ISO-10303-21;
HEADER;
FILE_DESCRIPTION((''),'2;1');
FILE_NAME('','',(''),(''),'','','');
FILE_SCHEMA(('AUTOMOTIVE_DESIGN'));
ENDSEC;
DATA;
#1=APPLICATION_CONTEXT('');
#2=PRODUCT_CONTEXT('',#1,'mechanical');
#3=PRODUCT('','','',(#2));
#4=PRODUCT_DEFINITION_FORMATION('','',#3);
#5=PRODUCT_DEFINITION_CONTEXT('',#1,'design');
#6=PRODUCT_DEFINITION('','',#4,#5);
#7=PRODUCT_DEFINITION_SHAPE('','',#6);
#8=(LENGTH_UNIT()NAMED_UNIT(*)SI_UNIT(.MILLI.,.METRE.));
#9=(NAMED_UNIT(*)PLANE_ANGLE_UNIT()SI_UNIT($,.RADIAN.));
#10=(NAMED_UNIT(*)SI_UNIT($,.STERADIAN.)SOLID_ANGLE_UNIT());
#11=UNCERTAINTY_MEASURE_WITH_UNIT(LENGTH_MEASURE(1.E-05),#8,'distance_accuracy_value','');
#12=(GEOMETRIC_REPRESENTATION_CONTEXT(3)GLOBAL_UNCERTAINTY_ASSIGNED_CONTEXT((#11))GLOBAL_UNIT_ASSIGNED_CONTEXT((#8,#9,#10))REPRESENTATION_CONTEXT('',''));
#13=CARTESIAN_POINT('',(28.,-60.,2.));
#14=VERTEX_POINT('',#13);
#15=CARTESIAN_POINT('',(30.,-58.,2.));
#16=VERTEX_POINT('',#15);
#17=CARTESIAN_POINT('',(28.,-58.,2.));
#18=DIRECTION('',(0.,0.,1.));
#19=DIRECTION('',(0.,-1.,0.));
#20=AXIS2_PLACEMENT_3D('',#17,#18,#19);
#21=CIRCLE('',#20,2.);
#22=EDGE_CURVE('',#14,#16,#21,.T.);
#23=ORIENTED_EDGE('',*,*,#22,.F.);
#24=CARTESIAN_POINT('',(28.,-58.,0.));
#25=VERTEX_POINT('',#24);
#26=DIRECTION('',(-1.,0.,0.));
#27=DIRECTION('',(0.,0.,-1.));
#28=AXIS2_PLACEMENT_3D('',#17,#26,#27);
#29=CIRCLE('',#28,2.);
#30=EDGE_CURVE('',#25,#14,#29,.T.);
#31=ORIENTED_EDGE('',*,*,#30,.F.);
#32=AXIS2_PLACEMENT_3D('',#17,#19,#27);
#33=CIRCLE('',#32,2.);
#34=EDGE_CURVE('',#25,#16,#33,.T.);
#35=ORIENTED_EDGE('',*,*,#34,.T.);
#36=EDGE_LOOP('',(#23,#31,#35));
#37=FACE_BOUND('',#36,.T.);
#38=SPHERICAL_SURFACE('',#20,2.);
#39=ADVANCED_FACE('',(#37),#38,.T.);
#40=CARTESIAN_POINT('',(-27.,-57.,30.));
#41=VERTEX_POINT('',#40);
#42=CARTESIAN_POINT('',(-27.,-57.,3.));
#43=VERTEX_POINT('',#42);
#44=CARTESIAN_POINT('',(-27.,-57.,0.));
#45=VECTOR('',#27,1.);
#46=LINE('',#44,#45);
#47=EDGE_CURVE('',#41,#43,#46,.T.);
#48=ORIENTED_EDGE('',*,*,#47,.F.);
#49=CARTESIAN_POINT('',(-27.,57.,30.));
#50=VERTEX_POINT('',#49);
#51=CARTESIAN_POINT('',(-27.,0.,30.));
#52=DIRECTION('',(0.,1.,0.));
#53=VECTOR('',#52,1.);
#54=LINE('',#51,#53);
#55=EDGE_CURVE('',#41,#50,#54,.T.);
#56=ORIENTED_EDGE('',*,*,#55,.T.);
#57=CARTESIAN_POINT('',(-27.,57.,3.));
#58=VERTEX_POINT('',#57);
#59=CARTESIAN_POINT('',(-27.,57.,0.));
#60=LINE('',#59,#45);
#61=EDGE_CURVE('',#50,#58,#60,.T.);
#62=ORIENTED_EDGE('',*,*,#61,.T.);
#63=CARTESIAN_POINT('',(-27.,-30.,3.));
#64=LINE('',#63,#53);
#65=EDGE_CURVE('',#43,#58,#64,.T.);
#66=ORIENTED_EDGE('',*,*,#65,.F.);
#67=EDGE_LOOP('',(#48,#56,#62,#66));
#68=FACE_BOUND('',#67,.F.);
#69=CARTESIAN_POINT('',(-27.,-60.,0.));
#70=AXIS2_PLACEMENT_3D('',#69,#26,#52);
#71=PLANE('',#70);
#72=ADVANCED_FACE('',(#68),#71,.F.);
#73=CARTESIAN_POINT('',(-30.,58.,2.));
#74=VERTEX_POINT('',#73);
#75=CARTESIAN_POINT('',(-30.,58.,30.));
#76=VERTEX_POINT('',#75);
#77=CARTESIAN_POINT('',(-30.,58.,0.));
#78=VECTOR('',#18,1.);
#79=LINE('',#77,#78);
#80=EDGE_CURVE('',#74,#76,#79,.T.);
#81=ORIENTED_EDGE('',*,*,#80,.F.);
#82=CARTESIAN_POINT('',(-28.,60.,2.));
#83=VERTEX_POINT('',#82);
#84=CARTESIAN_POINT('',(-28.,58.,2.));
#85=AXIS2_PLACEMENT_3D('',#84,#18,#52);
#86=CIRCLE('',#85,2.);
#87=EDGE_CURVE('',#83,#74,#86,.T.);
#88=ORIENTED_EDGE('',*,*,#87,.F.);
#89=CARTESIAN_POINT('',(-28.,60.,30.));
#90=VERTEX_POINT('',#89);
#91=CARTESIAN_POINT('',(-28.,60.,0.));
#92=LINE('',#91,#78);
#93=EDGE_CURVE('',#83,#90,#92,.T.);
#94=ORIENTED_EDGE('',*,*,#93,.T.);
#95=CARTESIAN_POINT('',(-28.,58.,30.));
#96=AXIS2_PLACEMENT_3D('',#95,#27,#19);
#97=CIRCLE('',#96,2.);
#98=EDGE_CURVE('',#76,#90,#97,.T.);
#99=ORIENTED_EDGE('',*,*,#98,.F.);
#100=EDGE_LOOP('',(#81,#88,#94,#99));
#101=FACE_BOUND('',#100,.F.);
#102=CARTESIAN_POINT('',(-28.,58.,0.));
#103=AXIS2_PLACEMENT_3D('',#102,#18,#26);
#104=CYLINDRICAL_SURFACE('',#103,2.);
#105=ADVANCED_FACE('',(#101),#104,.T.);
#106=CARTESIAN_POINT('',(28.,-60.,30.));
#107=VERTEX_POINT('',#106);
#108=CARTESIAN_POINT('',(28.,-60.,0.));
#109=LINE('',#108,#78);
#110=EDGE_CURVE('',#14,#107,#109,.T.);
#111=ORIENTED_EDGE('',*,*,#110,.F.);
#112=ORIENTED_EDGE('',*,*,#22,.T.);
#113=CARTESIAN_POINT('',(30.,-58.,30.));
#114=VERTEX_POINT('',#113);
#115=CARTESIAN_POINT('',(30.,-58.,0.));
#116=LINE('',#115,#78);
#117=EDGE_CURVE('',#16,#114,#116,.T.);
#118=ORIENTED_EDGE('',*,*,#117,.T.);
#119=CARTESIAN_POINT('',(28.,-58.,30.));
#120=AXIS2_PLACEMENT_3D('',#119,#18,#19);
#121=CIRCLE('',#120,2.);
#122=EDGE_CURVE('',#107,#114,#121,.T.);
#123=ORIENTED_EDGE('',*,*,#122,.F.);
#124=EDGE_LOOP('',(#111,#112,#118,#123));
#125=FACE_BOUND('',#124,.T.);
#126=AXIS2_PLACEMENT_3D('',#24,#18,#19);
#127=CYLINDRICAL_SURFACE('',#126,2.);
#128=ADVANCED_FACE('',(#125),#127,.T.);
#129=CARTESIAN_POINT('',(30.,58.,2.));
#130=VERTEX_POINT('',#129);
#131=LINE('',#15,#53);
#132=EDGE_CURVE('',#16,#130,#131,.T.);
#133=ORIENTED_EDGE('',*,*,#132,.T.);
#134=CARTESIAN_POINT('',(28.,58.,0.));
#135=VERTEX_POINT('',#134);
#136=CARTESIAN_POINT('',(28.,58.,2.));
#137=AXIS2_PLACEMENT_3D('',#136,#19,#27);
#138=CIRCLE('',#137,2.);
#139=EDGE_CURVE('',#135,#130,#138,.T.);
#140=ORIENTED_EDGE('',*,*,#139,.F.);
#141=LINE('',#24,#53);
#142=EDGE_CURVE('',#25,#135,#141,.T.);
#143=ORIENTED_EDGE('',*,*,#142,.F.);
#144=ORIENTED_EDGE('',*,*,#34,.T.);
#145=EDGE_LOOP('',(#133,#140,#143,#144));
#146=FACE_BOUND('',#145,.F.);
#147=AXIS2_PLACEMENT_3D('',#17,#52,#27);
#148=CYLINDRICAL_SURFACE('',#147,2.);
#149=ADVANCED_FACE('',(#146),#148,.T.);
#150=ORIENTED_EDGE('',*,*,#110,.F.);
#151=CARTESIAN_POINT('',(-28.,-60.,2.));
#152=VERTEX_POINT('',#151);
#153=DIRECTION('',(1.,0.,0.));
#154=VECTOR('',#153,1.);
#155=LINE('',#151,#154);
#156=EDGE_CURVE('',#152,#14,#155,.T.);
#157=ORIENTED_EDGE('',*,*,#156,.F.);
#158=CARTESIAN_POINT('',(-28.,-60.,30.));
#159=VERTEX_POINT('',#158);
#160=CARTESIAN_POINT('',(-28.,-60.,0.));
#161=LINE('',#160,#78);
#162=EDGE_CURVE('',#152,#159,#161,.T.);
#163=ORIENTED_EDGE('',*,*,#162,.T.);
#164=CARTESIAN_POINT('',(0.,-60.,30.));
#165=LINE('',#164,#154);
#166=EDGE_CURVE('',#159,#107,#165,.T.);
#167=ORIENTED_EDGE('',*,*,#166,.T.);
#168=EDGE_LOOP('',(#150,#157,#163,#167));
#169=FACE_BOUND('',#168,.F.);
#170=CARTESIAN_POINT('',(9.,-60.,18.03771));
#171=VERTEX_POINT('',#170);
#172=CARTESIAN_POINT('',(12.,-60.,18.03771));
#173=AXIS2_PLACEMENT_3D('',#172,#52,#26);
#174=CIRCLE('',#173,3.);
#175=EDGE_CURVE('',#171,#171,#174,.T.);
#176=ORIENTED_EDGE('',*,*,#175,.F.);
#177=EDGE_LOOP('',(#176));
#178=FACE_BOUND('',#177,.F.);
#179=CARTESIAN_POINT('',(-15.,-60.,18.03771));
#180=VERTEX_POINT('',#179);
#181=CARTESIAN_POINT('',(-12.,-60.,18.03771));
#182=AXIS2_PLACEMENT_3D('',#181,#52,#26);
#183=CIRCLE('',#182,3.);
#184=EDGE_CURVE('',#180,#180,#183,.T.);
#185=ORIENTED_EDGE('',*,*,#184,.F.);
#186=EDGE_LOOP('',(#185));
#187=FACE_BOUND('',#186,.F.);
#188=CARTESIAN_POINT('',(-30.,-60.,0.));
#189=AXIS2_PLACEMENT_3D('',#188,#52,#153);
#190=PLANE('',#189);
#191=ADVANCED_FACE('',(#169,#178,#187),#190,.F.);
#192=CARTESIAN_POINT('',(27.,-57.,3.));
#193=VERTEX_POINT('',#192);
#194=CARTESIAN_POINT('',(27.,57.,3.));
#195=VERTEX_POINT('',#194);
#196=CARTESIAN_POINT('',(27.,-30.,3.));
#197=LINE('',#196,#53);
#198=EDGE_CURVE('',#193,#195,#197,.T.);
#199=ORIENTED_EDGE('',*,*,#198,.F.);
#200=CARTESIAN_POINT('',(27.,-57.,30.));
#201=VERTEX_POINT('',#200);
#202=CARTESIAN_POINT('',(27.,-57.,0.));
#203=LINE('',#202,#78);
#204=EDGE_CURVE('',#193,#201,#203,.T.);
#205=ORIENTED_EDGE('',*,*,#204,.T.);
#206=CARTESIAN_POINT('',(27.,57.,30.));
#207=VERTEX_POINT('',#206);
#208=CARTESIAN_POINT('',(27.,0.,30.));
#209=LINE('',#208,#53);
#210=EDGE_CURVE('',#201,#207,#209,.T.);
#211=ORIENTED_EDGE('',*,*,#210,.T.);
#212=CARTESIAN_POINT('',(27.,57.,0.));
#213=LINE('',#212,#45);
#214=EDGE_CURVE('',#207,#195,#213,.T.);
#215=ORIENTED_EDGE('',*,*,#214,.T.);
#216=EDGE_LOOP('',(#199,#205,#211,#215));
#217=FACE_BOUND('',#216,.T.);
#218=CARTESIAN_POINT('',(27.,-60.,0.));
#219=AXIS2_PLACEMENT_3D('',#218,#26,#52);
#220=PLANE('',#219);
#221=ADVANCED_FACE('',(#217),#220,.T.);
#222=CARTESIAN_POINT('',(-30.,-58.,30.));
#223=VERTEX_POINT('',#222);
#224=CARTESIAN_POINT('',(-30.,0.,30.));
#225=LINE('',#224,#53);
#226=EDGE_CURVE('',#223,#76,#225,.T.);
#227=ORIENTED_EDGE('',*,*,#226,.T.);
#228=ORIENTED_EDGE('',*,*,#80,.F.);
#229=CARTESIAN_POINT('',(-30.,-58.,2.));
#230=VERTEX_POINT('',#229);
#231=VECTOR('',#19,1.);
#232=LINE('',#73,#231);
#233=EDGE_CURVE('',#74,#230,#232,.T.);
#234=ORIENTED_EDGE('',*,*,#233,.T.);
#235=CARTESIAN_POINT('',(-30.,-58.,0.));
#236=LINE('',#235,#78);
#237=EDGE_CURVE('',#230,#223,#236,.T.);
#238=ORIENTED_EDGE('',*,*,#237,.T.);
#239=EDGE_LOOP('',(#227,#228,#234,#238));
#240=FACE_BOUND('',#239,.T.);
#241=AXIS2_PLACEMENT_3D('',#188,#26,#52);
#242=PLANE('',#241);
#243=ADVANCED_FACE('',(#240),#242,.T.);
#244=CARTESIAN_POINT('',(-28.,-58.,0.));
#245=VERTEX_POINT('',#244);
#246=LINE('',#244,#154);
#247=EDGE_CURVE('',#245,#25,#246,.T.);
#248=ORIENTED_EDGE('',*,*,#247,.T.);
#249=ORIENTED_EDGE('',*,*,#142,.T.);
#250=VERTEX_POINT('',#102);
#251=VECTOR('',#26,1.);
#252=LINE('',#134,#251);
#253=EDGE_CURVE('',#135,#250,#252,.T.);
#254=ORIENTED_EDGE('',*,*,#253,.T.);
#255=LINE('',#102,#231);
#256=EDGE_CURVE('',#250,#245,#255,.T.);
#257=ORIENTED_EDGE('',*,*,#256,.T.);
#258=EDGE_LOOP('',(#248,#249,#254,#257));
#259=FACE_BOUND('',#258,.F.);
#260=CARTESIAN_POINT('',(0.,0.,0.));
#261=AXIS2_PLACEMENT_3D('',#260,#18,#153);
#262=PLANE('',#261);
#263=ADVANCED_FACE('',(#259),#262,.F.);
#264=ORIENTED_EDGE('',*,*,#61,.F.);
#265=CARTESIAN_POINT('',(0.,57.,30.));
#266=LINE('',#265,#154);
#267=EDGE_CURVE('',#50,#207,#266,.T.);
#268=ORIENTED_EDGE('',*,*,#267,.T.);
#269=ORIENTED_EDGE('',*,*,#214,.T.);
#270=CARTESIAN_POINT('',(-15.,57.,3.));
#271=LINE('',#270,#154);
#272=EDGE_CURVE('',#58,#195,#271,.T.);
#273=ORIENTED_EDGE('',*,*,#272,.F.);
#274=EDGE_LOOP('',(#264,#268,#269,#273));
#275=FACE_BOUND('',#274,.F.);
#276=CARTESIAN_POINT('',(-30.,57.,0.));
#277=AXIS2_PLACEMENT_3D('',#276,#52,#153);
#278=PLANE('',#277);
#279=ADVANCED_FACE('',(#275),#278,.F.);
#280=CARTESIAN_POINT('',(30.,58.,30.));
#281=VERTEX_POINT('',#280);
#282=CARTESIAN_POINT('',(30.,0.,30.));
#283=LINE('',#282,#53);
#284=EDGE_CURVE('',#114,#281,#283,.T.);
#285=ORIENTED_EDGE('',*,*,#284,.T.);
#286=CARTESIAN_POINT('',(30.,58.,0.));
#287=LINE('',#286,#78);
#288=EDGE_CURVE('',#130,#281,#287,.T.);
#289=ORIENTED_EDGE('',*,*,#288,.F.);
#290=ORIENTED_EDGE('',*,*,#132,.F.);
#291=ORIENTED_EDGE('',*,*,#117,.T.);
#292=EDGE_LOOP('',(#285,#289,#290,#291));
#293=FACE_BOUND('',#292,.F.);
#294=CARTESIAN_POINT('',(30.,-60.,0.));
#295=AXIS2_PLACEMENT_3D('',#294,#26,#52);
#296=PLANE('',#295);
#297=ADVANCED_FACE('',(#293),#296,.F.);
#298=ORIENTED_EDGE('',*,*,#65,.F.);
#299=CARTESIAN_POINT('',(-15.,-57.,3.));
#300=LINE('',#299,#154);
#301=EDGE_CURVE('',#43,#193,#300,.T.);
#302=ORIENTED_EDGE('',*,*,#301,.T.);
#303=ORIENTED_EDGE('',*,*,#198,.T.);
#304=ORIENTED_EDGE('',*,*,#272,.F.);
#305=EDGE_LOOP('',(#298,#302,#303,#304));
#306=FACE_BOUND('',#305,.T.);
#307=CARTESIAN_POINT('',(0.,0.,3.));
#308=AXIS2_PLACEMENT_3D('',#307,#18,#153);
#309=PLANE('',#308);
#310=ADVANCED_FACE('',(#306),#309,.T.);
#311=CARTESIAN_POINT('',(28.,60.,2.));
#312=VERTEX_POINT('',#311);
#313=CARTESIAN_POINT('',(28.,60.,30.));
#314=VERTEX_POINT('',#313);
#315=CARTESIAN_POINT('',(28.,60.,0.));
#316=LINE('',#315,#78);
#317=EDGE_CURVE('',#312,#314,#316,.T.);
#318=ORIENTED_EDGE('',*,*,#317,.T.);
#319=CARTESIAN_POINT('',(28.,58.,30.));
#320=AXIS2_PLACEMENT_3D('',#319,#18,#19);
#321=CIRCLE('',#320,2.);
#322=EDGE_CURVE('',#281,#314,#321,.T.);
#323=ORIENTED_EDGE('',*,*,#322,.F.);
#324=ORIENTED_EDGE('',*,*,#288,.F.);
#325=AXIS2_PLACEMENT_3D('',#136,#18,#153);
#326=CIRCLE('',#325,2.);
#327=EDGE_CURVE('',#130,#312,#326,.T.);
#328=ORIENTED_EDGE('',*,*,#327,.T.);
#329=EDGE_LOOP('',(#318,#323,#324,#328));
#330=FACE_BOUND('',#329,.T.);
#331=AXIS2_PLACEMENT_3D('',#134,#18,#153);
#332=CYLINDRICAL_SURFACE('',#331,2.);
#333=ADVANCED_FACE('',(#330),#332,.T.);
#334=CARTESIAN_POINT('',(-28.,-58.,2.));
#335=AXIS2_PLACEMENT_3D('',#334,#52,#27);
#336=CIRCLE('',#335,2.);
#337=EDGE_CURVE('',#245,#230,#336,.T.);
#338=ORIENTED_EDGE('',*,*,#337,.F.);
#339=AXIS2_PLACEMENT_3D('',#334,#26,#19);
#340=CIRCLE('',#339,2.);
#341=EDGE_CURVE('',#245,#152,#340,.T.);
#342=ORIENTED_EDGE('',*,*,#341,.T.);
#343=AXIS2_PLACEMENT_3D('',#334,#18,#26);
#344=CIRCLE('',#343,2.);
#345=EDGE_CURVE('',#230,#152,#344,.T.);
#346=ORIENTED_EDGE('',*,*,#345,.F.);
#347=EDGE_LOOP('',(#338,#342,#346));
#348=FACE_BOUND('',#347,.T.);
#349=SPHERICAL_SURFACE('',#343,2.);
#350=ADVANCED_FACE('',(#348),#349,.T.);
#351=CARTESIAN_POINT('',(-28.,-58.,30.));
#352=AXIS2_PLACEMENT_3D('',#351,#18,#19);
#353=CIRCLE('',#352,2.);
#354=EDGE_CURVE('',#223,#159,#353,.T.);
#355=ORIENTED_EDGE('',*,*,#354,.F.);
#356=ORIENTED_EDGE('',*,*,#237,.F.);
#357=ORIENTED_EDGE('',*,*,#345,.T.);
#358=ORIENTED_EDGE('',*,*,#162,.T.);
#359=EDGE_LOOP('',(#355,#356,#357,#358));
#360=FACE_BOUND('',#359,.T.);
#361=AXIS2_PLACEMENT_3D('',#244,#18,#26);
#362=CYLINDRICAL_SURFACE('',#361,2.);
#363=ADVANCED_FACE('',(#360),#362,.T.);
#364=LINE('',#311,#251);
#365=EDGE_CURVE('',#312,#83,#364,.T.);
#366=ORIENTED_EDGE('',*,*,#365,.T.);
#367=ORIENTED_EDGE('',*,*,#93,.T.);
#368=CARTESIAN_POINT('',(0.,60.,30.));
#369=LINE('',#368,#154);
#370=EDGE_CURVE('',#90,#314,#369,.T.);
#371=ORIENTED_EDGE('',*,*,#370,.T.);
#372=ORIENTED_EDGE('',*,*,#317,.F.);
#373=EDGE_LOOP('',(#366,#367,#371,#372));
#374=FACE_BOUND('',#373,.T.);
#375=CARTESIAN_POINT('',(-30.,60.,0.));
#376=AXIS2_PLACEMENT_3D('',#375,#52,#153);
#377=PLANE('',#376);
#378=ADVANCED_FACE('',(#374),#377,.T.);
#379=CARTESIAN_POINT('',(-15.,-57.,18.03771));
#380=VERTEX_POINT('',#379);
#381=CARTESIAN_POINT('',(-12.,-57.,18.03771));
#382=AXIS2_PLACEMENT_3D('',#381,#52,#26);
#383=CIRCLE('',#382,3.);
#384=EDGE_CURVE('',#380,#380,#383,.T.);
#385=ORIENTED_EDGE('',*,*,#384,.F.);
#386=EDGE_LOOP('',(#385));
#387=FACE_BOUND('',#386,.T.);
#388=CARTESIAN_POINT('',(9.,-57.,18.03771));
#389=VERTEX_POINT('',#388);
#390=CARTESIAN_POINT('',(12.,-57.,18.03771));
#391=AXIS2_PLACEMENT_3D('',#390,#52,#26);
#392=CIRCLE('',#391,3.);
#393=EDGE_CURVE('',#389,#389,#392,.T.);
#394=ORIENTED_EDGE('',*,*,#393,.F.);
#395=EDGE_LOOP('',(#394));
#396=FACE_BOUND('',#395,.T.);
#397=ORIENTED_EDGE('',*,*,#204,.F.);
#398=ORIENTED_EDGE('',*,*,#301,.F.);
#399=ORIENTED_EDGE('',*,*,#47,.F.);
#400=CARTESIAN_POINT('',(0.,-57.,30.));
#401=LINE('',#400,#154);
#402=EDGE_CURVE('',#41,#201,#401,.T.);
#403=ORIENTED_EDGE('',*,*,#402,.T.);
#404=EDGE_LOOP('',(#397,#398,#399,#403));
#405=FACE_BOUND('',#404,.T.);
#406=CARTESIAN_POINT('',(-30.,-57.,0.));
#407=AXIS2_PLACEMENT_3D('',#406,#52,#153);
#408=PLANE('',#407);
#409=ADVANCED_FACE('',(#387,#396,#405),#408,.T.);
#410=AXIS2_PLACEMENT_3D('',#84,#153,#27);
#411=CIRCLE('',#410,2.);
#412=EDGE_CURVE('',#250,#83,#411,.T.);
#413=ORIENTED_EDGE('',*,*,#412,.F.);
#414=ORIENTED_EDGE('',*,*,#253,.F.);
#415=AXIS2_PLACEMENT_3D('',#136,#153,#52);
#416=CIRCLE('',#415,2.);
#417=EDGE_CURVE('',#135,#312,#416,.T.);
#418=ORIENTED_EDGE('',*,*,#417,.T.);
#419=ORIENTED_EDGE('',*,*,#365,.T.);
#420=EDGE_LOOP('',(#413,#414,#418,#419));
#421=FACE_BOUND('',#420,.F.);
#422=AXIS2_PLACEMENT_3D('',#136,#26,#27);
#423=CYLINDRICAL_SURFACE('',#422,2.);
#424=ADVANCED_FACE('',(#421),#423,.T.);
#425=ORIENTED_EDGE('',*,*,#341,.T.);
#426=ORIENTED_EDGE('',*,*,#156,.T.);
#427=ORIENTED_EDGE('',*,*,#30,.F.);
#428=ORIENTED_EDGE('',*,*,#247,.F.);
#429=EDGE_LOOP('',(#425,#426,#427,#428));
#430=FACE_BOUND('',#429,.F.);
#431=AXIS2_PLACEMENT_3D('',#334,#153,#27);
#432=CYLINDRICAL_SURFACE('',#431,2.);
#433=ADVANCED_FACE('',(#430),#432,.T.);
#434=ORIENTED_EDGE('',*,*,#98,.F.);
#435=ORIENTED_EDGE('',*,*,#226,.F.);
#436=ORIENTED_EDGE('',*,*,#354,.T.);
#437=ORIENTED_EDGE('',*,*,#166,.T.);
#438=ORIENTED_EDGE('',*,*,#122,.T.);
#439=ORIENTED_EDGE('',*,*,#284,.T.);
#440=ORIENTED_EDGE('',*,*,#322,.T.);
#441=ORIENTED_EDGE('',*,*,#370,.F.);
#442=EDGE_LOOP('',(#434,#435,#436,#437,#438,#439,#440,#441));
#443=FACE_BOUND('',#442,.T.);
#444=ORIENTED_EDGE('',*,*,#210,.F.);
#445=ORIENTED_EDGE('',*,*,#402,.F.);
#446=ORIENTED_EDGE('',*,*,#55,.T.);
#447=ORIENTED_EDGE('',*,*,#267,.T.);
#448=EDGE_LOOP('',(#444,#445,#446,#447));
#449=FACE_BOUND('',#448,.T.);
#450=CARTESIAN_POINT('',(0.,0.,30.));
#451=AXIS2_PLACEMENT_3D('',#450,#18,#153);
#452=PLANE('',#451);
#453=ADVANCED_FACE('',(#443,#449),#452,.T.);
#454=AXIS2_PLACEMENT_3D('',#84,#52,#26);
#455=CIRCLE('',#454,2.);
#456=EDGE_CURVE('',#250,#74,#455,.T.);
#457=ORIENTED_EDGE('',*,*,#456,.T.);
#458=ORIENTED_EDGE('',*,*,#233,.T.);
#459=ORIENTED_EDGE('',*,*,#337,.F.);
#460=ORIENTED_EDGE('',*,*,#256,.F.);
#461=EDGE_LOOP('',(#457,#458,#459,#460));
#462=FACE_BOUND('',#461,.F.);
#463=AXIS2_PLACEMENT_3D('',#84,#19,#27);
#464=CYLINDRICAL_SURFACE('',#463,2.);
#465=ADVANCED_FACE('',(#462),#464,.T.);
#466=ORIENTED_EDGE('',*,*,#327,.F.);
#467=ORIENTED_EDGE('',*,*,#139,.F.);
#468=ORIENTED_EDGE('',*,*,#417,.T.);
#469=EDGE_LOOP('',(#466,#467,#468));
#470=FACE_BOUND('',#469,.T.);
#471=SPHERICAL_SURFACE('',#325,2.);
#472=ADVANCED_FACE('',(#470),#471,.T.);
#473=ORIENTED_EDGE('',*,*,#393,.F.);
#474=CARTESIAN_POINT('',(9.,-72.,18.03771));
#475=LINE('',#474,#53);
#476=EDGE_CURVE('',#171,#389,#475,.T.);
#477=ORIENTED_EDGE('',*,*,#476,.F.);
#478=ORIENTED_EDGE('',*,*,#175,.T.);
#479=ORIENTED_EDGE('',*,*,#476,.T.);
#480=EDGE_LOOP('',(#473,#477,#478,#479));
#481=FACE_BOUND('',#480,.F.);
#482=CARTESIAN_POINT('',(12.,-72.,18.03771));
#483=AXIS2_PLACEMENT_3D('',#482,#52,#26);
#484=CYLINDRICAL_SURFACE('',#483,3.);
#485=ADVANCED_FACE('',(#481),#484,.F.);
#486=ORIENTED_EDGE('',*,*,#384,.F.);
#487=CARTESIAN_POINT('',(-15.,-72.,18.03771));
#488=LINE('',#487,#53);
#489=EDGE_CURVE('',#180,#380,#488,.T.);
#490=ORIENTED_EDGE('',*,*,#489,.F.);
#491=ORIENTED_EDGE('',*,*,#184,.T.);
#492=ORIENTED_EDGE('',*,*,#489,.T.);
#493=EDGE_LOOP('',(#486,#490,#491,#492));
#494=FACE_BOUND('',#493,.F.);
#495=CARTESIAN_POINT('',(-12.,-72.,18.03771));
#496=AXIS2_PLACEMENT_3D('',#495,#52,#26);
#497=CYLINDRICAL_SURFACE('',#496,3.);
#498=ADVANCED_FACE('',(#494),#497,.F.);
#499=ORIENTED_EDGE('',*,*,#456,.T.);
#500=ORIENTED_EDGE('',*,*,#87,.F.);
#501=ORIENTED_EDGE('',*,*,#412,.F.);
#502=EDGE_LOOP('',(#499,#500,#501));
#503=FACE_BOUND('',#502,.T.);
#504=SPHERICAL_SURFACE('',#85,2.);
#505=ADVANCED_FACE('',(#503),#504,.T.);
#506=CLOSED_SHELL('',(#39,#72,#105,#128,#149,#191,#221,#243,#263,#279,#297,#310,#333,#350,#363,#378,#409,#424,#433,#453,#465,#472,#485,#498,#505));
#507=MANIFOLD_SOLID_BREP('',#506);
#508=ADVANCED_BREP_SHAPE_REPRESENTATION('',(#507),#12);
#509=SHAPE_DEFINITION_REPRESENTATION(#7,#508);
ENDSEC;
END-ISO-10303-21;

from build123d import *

# Parameters (mm, degrees)
F0_W     = 60
F0_H     = 120
F1_DEPTH = 30
F2_T     = -3
F3_R     = 2
F5_D     = 6
F5_DEPTH = 12
F6_R     = 2


with BuildPart() as f1:
    # F0 (on Top) → F1 (new body)
    with BuildSketch(Plane.XY):
        Rectangle(F0_W, F0_H)
    extrude(amount=F1_DEPTH)

    # F2
    f2_openings = [f1.faces().sort_by_distance(p)[0] for p in [
        (0, 0, 30),
    ]]
    offset(amount=F2_T, openings=f2_openings)

    # F3
    f3_edges = [f1.edges().sort_by_distance(p)[0] for p in [
        (30, -60, 15),
        (30, 60, 15),
        (-30, 60, 15),
        (-30, -60, 15),
    ]]
    fillet(f3_edges, radius=F3_R)

    # F5
    with Locations(Plane.XZ.offset(60)):
        with Locations((-12, 18.03771), (12, 18.03771)):
            Hole(F5_D / 2, depth=F5_DEPTH)

    # F6
    f6_edges = [f1.edges().sort_by_distance(p)[0] for p in [
        (30, 0, 0),
        (29.414214, -59.414214, 0),
        (29.414214, 59.414214, 0),
        (0, -60, 0),
        (0, 60, 0),
        (-29.414214, -59.414214, 0),
        (-29.414214, 59.414214, 0),
        (-30, 0, 0),
    ]]
    fillet(f6_edges, radius=F6_R)


solid = f1.part
